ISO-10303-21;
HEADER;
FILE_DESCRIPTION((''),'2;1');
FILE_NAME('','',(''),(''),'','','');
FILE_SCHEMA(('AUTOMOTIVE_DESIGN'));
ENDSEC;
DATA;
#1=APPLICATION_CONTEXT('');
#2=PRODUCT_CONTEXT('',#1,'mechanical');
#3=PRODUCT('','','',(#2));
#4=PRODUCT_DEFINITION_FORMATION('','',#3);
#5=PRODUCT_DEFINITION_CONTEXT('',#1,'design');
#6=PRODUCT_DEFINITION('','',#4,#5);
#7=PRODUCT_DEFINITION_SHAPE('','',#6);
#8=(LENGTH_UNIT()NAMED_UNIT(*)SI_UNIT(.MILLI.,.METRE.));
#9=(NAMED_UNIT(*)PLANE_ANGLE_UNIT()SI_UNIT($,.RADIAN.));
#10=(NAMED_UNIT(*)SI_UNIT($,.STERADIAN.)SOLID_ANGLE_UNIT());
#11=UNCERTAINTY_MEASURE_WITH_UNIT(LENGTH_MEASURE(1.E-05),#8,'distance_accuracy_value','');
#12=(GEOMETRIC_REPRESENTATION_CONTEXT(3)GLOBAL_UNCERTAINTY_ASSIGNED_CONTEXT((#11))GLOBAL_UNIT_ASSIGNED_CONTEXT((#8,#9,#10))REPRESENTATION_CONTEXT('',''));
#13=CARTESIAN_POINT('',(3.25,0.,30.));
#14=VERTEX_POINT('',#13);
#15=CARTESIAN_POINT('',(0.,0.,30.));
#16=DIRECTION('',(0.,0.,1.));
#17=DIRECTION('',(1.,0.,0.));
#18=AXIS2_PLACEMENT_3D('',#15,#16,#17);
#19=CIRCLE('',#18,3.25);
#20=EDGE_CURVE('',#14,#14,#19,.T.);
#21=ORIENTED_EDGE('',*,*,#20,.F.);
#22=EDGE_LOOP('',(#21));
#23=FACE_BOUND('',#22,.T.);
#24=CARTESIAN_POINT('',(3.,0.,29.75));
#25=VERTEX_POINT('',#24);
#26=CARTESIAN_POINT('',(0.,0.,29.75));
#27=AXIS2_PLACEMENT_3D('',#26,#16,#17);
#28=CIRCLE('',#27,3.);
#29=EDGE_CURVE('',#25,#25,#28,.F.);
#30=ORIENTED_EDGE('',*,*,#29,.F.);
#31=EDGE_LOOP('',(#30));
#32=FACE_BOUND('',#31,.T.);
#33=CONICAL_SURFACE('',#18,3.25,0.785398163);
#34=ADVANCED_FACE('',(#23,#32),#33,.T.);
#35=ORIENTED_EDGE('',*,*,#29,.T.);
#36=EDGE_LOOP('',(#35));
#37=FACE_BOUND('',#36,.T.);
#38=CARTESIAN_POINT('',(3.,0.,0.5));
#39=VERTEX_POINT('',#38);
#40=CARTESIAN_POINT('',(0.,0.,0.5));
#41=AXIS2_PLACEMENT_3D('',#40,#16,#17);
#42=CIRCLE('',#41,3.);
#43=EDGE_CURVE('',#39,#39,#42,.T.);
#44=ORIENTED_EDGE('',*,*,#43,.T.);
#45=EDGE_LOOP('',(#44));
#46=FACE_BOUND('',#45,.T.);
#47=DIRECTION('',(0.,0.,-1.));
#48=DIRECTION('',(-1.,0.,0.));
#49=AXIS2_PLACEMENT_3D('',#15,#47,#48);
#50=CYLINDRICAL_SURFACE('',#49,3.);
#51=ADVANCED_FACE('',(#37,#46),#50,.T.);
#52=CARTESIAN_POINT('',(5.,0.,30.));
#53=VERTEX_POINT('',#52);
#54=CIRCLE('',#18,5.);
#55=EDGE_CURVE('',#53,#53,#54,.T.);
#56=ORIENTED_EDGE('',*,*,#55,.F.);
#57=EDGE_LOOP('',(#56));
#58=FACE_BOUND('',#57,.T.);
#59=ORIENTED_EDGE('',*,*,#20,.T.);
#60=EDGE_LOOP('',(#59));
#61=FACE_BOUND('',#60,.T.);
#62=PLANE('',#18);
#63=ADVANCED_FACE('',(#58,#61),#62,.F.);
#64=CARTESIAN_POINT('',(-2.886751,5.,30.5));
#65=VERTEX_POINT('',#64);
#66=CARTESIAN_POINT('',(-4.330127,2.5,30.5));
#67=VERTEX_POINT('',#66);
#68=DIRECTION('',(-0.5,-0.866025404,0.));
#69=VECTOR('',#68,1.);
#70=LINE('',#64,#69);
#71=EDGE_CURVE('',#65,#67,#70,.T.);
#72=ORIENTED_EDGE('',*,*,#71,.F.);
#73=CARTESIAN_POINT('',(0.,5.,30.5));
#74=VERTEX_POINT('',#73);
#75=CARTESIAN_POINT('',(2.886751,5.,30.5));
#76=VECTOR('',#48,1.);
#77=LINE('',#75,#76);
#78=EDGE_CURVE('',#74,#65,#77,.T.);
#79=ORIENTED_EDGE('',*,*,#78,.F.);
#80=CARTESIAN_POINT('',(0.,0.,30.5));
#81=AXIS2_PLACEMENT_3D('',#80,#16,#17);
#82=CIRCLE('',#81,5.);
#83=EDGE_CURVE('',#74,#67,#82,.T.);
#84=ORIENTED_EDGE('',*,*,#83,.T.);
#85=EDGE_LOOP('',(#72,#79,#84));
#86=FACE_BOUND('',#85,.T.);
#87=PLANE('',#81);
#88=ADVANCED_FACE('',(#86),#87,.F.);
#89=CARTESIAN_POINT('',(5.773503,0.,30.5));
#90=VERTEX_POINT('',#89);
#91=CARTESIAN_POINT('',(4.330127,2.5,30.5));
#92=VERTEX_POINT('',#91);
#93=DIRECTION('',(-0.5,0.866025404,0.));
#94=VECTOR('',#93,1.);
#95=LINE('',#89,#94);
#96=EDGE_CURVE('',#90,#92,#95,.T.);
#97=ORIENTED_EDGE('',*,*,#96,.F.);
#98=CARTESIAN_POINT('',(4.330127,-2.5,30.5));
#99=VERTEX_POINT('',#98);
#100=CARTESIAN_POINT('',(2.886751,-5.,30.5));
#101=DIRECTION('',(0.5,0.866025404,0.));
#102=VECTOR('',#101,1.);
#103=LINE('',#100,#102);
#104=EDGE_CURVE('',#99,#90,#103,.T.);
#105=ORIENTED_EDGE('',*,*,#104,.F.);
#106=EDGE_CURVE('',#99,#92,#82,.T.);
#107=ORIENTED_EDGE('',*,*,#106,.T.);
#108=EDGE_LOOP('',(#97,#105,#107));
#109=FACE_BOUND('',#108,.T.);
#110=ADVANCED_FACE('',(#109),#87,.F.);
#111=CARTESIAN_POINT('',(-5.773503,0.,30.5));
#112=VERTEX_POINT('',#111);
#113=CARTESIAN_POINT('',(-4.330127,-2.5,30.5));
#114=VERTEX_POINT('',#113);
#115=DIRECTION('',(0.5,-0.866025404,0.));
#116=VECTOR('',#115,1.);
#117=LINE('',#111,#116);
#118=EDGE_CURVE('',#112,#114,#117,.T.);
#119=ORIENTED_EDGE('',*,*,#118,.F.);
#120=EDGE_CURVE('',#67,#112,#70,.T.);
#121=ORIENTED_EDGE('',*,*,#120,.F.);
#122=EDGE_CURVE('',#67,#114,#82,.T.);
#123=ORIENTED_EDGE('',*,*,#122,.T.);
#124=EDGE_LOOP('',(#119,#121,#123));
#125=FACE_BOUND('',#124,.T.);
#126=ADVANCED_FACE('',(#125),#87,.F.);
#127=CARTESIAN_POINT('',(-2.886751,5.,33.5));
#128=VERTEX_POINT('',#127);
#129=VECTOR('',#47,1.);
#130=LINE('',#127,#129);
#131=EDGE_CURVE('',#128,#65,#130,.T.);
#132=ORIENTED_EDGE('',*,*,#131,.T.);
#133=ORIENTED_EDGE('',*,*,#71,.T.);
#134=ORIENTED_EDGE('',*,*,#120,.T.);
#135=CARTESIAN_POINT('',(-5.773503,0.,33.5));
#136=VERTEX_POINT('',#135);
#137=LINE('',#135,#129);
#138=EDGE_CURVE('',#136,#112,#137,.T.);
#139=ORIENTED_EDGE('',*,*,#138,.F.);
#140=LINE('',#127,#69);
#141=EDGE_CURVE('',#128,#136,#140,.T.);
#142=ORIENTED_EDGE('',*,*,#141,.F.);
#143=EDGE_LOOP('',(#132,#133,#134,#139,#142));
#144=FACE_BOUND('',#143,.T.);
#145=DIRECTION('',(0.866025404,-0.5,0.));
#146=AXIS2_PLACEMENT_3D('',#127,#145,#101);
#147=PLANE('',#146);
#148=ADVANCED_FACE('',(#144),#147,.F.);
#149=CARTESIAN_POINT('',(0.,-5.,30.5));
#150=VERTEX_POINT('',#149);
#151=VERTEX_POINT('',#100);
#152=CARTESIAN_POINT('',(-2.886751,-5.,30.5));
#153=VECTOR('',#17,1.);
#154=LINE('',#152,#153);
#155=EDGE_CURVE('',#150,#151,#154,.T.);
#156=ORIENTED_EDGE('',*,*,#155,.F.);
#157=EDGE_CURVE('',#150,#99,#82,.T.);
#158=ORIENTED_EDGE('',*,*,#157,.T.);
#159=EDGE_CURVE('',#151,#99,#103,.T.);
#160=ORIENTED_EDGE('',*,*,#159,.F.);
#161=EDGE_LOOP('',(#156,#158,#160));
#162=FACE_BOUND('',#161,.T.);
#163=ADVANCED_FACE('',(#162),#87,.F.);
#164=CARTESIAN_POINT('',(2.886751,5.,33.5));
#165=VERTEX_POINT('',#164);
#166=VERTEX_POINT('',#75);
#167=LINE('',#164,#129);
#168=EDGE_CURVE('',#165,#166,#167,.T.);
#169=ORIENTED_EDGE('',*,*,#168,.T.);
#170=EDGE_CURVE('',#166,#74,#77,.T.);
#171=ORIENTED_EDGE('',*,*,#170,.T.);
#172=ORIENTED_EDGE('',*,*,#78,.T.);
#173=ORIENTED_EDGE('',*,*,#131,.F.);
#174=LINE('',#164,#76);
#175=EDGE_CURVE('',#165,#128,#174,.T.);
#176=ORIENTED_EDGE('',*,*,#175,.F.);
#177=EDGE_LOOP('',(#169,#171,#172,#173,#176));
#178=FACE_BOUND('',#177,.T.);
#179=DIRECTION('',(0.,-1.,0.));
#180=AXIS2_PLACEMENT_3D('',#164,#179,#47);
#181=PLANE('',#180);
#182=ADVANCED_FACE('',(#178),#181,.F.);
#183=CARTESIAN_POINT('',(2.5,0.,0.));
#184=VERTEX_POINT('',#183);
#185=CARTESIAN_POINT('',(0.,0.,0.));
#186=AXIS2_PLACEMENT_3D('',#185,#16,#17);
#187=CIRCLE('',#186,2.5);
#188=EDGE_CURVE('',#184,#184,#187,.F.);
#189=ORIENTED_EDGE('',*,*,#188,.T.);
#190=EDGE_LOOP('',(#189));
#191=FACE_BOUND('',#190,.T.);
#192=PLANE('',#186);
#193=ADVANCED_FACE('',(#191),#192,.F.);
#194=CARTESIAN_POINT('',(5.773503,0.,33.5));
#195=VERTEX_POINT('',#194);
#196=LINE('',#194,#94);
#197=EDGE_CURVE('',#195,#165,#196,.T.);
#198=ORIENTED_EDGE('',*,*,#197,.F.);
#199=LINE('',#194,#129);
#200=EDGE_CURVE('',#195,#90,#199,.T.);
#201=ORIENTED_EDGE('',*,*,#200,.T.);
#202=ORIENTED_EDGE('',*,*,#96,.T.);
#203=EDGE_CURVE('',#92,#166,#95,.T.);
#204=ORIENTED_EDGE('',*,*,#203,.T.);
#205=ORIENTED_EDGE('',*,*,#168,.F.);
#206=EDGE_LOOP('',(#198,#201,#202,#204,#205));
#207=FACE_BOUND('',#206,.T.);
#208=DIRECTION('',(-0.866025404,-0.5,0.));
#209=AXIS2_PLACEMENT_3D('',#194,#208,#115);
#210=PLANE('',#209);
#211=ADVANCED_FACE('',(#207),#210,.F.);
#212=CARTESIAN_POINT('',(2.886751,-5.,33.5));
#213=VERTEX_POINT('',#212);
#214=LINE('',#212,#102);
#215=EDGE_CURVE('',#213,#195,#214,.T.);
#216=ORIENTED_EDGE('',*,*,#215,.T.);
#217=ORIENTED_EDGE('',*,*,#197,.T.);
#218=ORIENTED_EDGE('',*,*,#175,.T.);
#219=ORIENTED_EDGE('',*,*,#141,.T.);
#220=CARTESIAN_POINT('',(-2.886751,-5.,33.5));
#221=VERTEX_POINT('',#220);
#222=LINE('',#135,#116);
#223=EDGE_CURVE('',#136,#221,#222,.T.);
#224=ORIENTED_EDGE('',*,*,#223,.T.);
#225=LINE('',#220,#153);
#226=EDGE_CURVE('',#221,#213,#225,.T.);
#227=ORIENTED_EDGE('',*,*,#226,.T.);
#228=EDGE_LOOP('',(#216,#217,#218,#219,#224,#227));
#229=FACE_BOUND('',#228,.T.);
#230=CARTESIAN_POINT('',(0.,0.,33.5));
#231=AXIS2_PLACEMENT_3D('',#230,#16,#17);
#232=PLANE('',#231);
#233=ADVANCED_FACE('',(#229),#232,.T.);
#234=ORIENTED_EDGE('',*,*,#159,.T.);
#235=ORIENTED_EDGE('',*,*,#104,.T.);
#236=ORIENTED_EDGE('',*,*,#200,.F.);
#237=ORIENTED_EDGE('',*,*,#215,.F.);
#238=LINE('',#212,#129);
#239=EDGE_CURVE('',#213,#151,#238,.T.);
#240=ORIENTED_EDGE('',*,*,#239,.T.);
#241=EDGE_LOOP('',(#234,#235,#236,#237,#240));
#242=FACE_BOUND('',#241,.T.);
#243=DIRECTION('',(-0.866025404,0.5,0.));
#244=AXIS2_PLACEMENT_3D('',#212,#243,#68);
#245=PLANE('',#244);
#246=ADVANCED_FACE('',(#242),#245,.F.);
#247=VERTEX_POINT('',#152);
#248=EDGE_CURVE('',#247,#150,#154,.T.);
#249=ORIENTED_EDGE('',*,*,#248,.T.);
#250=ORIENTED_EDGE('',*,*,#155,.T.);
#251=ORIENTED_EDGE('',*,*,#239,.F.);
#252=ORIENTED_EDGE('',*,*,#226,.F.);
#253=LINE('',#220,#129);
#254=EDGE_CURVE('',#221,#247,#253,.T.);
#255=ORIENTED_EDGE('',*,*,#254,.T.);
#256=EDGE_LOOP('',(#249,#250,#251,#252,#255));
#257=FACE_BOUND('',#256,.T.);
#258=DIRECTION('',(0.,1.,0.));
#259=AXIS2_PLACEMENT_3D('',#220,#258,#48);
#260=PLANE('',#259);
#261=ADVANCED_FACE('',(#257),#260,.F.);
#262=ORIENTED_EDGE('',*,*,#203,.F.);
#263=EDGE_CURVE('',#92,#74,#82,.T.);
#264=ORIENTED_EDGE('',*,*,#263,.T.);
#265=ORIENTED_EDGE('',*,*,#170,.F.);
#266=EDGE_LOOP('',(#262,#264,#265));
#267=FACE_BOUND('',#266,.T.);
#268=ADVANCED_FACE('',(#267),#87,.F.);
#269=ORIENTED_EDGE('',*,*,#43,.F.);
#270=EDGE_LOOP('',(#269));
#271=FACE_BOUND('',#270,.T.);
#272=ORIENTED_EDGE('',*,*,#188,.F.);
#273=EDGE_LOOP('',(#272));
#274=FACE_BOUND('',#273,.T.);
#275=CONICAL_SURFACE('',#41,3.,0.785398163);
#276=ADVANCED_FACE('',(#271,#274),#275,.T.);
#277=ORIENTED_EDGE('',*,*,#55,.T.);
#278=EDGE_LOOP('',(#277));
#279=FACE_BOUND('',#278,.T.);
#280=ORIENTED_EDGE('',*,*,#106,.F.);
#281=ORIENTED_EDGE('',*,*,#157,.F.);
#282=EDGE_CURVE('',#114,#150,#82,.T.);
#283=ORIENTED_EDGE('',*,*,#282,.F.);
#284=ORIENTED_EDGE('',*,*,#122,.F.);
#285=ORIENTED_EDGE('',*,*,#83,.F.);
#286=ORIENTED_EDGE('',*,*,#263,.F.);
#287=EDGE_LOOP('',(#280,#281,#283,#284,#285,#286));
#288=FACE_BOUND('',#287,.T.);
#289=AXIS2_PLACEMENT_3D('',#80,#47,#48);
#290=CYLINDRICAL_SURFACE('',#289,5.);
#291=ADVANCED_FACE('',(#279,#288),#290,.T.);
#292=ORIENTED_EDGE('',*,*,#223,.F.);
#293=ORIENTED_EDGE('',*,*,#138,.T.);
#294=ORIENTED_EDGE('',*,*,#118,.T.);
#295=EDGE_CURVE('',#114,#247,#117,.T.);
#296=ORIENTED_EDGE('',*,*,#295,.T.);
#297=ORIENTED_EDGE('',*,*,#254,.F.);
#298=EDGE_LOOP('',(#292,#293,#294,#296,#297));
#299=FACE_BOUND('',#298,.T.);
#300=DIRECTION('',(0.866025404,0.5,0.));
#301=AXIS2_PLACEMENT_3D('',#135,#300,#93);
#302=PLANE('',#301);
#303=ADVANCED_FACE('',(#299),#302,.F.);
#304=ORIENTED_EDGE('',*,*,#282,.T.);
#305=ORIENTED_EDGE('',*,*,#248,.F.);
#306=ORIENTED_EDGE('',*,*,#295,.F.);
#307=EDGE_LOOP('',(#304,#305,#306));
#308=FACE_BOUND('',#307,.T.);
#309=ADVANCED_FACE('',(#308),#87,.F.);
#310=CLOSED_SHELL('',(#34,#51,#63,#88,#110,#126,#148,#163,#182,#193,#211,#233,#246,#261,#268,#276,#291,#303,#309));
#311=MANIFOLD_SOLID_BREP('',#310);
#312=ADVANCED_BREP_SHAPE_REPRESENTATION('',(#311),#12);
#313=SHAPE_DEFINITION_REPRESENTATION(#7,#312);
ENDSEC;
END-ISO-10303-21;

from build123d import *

# Parameters (mm, degrees)
SKETCH1_R           = 3
BOSS_EXTRUDE1_DEPTH = 30
SKETCH2_R           = 5
BOSS_EXTRUDE2_DEPTH = 0.5
BOSS_EXTRUDE3_DEPTH = 3
CHAMFER1_SIZE       = 0.5
CHAMFER2_SIZE       = 0.25


with BuildPart() as part:
    # Sketch1 → Boss-Extrude1 (new body)
    with BuildSketch(Plane.XY):
        Circle(SKETCH1_R)
    extrude(amount=BOSS_EXTRUDE1_DEPTH)

    # Sketch2 → Boss-Extrude2 (add)
    with BuildSketch(Plane.XY.offset(30)):
        Circle(SKETCH2_R)
    extrude(amount=BOSS_EXTRUDE2_DEPTH)

    # Sketch3 → Boss-Extrude3 (add)
    with BuildSketch(Plane.XY.offset(30.5)):
        Polygon((5.773502692, 0), (2.886751346, 5), (-2.886751346, 5), (-5.773502692, 0), (-2.886751346, -5), (2.886751346, -5), align=None)
    extrude(amount=BOSS_EXTRUDE3_DEPTH)

    # Chamfer1
    chamfer1_edges = [part.edges().sort_by_distance(p)[0] for p in [
        (-3, 0, 0),
    ]]
    chamfer(chamfer1_edges, length=CHAMFER1_SIZE)

    # Chamfer2
    chamfer2_edges = [part.edges().sort_by_distance(p)[0] for p in [
        (-3, 0, 30),
    ]]
    chamfer(chamfer2_edges, length=CHAMFER2_SIZE)


solid = part.part
